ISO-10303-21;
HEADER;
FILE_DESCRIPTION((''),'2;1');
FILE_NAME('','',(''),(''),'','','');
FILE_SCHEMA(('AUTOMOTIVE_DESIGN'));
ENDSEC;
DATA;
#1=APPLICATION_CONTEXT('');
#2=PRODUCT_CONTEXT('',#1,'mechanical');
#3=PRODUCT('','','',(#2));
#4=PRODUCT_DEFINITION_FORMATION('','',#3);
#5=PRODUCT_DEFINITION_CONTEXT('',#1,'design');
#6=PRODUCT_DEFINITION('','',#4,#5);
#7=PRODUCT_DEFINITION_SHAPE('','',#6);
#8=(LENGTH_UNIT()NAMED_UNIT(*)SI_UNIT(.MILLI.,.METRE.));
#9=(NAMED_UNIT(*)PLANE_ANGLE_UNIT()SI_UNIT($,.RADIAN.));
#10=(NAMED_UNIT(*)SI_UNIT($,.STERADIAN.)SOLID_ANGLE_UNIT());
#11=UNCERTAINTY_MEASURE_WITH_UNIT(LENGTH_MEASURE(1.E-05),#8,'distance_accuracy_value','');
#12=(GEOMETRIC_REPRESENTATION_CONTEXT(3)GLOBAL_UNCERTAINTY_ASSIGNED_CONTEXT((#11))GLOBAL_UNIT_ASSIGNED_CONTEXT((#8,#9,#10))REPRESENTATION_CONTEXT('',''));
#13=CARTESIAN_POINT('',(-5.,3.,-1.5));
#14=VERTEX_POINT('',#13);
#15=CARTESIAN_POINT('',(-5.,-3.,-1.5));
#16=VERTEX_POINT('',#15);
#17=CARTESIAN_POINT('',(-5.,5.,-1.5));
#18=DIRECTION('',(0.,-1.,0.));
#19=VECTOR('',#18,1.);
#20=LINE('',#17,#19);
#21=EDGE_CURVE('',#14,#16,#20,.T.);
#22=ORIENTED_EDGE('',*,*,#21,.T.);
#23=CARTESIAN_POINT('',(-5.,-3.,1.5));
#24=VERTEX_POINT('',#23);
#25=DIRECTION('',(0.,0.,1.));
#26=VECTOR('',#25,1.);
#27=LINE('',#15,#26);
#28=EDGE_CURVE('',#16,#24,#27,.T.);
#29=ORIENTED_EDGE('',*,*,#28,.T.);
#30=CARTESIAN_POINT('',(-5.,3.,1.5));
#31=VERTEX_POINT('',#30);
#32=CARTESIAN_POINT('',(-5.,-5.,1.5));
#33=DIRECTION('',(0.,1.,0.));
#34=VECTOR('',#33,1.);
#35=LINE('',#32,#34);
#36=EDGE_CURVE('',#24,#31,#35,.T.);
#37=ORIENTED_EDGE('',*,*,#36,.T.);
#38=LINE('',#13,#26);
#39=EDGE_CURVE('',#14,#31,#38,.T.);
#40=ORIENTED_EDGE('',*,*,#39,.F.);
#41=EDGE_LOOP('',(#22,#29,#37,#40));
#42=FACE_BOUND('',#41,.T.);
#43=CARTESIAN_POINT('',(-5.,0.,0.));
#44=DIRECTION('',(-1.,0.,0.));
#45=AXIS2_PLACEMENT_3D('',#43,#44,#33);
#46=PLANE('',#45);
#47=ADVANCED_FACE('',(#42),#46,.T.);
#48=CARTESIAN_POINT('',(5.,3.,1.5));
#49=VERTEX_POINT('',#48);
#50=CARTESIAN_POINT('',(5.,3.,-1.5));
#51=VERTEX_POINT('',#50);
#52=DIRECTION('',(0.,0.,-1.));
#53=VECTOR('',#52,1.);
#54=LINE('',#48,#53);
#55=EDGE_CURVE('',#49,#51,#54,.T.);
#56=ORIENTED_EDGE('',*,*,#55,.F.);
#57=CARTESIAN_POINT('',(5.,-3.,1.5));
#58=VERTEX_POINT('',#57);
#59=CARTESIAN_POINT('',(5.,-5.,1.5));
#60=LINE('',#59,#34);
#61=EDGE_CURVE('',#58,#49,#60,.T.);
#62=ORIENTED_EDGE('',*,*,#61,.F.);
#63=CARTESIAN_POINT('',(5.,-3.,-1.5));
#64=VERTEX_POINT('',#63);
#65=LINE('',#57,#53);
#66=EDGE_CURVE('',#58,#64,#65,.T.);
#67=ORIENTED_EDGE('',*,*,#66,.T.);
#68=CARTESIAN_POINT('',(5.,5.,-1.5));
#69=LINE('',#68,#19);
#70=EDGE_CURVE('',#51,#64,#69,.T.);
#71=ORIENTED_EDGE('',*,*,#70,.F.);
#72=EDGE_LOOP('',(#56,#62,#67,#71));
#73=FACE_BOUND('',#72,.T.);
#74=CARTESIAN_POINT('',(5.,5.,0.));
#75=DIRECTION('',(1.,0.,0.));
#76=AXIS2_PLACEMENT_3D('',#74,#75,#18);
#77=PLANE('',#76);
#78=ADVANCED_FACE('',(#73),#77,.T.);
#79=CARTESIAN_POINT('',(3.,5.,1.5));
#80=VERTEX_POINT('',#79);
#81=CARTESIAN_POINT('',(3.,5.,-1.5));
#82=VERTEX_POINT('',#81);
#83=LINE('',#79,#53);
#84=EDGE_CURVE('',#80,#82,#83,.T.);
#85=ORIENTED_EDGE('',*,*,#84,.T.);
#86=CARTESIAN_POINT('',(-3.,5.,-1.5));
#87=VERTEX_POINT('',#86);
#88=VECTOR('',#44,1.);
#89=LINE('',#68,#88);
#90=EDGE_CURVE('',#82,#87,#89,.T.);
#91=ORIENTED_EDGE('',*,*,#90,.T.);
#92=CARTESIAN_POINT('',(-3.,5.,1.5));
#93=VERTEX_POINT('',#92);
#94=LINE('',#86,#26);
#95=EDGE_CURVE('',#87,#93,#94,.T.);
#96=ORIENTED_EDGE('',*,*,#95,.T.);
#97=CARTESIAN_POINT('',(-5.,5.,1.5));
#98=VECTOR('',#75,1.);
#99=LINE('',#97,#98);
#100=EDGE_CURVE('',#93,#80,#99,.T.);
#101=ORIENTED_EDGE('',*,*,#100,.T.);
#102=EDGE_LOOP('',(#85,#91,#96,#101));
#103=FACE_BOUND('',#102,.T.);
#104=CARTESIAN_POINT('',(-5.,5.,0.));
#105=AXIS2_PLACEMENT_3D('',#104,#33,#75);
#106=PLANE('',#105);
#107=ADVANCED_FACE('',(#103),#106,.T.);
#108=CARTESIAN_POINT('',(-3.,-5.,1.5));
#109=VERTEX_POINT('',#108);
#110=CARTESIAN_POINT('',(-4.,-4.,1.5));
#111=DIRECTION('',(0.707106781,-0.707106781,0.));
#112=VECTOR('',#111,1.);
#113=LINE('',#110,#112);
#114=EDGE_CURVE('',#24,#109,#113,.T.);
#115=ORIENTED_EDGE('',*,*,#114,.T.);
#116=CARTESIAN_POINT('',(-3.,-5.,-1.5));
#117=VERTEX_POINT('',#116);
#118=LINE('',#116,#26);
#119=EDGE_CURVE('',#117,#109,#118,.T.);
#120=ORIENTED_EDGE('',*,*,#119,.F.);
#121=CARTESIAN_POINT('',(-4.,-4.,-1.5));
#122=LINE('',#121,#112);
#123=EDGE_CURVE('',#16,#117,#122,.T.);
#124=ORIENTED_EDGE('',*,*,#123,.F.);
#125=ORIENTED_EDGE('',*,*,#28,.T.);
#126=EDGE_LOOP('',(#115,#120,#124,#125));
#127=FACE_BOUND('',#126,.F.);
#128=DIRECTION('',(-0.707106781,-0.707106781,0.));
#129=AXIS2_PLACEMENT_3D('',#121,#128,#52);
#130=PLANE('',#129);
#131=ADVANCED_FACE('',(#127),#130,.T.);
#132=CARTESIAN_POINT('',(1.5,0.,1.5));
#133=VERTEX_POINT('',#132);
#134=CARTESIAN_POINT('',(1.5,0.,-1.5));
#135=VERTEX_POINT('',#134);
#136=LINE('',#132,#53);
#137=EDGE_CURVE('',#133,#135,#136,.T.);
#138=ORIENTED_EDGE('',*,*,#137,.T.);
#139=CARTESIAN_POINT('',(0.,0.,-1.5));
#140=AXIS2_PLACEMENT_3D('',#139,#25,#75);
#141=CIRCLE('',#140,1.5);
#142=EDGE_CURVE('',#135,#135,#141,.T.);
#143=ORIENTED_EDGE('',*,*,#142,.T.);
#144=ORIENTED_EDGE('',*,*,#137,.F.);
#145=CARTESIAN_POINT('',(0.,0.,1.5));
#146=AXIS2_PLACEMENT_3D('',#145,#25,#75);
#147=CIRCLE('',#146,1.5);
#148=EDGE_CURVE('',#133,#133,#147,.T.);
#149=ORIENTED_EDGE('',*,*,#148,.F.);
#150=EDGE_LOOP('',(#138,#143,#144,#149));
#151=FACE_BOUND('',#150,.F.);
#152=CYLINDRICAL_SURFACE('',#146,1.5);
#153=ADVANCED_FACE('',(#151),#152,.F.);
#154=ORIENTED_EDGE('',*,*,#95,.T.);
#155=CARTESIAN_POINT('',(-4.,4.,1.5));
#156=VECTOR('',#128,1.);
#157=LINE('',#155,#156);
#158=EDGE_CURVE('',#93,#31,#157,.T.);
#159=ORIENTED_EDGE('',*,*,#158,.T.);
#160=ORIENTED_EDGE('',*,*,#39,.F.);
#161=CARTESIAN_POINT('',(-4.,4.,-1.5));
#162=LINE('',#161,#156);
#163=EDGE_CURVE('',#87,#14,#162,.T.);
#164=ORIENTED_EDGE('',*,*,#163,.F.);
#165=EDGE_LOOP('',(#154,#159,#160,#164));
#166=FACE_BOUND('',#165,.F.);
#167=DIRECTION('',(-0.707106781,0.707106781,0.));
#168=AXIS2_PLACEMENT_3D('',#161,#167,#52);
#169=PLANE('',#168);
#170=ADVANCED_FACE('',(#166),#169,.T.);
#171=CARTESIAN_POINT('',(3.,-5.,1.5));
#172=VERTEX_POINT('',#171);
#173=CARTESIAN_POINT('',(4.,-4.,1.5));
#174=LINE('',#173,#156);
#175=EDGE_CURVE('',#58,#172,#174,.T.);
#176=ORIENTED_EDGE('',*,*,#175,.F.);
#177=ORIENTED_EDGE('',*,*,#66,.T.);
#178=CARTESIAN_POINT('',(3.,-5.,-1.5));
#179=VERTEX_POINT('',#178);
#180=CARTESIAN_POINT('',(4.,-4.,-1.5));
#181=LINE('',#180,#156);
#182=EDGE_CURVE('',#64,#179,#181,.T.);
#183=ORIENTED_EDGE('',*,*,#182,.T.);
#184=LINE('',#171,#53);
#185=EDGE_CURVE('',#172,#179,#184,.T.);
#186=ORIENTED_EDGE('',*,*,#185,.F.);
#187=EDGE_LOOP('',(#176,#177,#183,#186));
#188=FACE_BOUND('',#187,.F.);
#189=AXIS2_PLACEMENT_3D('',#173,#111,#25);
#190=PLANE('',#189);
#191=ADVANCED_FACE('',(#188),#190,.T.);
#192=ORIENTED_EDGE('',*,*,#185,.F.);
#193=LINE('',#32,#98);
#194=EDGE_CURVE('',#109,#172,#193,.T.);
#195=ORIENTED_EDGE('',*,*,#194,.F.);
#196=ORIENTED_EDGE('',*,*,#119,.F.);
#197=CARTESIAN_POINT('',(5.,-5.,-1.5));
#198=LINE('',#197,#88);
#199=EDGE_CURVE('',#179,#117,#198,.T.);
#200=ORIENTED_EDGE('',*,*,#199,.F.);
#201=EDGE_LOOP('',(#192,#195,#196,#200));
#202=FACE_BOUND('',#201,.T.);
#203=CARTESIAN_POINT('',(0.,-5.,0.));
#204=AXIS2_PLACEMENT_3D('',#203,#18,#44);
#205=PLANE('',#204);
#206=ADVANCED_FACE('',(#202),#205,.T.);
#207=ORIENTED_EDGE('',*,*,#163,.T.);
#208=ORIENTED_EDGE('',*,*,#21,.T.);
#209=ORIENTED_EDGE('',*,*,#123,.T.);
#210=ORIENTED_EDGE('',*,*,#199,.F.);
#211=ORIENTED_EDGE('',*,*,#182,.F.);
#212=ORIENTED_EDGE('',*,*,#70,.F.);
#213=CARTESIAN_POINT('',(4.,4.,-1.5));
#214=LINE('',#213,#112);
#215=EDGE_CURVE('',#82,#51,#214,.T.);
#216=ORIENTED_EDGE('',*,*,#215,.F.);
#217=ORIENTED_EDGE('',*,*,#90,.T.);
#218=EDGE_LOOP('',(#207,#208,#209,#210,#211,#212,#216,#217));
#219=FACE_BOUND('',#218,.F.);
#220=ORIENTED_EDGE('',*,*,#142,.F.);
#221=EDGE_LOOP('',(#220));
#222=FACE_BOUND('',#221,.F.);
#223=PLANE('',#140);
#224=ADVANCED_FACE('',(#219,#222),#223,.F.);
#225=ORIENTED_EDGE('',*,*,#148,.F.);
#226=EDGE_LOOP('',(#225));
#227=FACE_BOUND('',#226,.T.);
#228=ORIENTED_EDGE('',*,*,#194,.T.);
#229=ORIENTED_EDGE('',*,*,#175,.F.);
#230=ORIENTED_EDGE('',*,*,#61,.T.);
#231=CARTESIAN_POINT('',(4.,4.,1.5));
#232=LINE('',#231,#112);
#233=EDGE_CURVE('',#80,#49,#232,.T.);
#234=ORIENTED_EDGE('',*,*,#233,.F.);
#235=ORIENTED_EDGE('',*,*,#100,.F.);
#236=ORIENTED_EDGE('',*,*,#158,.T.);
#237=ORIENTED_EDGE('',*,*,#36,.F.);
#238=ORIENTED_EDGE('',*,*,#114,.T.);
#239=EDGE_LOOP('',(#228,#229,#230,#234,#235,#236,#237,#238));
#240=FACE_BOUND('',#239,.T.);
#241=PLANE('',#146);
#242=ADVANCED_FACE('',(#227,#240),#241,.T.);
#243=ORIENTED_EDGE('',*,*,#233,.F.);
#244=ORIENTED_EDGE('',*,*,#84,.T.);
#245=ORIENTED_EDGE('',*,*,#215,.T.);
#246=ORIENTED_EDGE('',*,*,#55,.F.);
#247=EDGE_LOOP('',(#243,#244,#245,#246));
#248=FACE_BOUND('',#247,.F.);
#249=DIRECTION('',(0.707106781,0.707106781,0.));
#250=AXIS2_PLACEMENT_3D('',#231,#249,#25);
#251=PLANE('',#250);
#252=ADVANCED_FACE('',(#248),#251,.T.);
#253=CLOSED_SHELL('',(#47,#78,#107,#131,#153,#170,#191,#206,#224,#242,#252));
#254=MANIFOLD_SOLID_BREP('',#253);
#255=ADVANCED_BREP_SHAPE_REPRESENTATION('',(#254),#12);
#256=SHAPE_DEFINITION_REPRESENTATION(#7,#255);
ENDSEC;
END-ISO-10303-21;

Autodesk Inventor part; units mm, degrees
sketch "Skizze1" plane through (0, 0, 0) normal (0, 0, 1) x (1, 0, 0)
  line L0 (-5, 5) -> (5, 5)
  line L1 (5, 5) -> (5, -5)
  line L2 (5, -5) -> (-5, -5)
  line L3 (-5, -5) -> (-5, 5)
  line L4 (-7, 0) -> (7, 0) projected
  line L5 (0, 7) -> (0, -7) projected
  point P0 (0, 0)
  dimension "d0" = 10
  dimension "d1" = 10
extrude "Extrusion1" add sketch "Skizze1" along normal mid plane 3
sketch "Skizze2" plane through (0, 0, 1.5) normal (0, 0, 1) x (1, 0, 0)
  circle A0 centre (0, 0) radius 1.5
  dimension "d4" = 3
extrude "Extrusion2" cut sketch "Skizze2" against normal blind 3
thread "Gewinde1" size "M3x0.5" class "6H" standard "ANSI Metric M Profile" full length
chamfer "Fase1" distance 2 angle 45 4 edges at (5, 5, 0) (-5, 5, 0) (5, -5, 0) (-5, -5, 0)
properties part number "RadAxeVorneSicherung"
